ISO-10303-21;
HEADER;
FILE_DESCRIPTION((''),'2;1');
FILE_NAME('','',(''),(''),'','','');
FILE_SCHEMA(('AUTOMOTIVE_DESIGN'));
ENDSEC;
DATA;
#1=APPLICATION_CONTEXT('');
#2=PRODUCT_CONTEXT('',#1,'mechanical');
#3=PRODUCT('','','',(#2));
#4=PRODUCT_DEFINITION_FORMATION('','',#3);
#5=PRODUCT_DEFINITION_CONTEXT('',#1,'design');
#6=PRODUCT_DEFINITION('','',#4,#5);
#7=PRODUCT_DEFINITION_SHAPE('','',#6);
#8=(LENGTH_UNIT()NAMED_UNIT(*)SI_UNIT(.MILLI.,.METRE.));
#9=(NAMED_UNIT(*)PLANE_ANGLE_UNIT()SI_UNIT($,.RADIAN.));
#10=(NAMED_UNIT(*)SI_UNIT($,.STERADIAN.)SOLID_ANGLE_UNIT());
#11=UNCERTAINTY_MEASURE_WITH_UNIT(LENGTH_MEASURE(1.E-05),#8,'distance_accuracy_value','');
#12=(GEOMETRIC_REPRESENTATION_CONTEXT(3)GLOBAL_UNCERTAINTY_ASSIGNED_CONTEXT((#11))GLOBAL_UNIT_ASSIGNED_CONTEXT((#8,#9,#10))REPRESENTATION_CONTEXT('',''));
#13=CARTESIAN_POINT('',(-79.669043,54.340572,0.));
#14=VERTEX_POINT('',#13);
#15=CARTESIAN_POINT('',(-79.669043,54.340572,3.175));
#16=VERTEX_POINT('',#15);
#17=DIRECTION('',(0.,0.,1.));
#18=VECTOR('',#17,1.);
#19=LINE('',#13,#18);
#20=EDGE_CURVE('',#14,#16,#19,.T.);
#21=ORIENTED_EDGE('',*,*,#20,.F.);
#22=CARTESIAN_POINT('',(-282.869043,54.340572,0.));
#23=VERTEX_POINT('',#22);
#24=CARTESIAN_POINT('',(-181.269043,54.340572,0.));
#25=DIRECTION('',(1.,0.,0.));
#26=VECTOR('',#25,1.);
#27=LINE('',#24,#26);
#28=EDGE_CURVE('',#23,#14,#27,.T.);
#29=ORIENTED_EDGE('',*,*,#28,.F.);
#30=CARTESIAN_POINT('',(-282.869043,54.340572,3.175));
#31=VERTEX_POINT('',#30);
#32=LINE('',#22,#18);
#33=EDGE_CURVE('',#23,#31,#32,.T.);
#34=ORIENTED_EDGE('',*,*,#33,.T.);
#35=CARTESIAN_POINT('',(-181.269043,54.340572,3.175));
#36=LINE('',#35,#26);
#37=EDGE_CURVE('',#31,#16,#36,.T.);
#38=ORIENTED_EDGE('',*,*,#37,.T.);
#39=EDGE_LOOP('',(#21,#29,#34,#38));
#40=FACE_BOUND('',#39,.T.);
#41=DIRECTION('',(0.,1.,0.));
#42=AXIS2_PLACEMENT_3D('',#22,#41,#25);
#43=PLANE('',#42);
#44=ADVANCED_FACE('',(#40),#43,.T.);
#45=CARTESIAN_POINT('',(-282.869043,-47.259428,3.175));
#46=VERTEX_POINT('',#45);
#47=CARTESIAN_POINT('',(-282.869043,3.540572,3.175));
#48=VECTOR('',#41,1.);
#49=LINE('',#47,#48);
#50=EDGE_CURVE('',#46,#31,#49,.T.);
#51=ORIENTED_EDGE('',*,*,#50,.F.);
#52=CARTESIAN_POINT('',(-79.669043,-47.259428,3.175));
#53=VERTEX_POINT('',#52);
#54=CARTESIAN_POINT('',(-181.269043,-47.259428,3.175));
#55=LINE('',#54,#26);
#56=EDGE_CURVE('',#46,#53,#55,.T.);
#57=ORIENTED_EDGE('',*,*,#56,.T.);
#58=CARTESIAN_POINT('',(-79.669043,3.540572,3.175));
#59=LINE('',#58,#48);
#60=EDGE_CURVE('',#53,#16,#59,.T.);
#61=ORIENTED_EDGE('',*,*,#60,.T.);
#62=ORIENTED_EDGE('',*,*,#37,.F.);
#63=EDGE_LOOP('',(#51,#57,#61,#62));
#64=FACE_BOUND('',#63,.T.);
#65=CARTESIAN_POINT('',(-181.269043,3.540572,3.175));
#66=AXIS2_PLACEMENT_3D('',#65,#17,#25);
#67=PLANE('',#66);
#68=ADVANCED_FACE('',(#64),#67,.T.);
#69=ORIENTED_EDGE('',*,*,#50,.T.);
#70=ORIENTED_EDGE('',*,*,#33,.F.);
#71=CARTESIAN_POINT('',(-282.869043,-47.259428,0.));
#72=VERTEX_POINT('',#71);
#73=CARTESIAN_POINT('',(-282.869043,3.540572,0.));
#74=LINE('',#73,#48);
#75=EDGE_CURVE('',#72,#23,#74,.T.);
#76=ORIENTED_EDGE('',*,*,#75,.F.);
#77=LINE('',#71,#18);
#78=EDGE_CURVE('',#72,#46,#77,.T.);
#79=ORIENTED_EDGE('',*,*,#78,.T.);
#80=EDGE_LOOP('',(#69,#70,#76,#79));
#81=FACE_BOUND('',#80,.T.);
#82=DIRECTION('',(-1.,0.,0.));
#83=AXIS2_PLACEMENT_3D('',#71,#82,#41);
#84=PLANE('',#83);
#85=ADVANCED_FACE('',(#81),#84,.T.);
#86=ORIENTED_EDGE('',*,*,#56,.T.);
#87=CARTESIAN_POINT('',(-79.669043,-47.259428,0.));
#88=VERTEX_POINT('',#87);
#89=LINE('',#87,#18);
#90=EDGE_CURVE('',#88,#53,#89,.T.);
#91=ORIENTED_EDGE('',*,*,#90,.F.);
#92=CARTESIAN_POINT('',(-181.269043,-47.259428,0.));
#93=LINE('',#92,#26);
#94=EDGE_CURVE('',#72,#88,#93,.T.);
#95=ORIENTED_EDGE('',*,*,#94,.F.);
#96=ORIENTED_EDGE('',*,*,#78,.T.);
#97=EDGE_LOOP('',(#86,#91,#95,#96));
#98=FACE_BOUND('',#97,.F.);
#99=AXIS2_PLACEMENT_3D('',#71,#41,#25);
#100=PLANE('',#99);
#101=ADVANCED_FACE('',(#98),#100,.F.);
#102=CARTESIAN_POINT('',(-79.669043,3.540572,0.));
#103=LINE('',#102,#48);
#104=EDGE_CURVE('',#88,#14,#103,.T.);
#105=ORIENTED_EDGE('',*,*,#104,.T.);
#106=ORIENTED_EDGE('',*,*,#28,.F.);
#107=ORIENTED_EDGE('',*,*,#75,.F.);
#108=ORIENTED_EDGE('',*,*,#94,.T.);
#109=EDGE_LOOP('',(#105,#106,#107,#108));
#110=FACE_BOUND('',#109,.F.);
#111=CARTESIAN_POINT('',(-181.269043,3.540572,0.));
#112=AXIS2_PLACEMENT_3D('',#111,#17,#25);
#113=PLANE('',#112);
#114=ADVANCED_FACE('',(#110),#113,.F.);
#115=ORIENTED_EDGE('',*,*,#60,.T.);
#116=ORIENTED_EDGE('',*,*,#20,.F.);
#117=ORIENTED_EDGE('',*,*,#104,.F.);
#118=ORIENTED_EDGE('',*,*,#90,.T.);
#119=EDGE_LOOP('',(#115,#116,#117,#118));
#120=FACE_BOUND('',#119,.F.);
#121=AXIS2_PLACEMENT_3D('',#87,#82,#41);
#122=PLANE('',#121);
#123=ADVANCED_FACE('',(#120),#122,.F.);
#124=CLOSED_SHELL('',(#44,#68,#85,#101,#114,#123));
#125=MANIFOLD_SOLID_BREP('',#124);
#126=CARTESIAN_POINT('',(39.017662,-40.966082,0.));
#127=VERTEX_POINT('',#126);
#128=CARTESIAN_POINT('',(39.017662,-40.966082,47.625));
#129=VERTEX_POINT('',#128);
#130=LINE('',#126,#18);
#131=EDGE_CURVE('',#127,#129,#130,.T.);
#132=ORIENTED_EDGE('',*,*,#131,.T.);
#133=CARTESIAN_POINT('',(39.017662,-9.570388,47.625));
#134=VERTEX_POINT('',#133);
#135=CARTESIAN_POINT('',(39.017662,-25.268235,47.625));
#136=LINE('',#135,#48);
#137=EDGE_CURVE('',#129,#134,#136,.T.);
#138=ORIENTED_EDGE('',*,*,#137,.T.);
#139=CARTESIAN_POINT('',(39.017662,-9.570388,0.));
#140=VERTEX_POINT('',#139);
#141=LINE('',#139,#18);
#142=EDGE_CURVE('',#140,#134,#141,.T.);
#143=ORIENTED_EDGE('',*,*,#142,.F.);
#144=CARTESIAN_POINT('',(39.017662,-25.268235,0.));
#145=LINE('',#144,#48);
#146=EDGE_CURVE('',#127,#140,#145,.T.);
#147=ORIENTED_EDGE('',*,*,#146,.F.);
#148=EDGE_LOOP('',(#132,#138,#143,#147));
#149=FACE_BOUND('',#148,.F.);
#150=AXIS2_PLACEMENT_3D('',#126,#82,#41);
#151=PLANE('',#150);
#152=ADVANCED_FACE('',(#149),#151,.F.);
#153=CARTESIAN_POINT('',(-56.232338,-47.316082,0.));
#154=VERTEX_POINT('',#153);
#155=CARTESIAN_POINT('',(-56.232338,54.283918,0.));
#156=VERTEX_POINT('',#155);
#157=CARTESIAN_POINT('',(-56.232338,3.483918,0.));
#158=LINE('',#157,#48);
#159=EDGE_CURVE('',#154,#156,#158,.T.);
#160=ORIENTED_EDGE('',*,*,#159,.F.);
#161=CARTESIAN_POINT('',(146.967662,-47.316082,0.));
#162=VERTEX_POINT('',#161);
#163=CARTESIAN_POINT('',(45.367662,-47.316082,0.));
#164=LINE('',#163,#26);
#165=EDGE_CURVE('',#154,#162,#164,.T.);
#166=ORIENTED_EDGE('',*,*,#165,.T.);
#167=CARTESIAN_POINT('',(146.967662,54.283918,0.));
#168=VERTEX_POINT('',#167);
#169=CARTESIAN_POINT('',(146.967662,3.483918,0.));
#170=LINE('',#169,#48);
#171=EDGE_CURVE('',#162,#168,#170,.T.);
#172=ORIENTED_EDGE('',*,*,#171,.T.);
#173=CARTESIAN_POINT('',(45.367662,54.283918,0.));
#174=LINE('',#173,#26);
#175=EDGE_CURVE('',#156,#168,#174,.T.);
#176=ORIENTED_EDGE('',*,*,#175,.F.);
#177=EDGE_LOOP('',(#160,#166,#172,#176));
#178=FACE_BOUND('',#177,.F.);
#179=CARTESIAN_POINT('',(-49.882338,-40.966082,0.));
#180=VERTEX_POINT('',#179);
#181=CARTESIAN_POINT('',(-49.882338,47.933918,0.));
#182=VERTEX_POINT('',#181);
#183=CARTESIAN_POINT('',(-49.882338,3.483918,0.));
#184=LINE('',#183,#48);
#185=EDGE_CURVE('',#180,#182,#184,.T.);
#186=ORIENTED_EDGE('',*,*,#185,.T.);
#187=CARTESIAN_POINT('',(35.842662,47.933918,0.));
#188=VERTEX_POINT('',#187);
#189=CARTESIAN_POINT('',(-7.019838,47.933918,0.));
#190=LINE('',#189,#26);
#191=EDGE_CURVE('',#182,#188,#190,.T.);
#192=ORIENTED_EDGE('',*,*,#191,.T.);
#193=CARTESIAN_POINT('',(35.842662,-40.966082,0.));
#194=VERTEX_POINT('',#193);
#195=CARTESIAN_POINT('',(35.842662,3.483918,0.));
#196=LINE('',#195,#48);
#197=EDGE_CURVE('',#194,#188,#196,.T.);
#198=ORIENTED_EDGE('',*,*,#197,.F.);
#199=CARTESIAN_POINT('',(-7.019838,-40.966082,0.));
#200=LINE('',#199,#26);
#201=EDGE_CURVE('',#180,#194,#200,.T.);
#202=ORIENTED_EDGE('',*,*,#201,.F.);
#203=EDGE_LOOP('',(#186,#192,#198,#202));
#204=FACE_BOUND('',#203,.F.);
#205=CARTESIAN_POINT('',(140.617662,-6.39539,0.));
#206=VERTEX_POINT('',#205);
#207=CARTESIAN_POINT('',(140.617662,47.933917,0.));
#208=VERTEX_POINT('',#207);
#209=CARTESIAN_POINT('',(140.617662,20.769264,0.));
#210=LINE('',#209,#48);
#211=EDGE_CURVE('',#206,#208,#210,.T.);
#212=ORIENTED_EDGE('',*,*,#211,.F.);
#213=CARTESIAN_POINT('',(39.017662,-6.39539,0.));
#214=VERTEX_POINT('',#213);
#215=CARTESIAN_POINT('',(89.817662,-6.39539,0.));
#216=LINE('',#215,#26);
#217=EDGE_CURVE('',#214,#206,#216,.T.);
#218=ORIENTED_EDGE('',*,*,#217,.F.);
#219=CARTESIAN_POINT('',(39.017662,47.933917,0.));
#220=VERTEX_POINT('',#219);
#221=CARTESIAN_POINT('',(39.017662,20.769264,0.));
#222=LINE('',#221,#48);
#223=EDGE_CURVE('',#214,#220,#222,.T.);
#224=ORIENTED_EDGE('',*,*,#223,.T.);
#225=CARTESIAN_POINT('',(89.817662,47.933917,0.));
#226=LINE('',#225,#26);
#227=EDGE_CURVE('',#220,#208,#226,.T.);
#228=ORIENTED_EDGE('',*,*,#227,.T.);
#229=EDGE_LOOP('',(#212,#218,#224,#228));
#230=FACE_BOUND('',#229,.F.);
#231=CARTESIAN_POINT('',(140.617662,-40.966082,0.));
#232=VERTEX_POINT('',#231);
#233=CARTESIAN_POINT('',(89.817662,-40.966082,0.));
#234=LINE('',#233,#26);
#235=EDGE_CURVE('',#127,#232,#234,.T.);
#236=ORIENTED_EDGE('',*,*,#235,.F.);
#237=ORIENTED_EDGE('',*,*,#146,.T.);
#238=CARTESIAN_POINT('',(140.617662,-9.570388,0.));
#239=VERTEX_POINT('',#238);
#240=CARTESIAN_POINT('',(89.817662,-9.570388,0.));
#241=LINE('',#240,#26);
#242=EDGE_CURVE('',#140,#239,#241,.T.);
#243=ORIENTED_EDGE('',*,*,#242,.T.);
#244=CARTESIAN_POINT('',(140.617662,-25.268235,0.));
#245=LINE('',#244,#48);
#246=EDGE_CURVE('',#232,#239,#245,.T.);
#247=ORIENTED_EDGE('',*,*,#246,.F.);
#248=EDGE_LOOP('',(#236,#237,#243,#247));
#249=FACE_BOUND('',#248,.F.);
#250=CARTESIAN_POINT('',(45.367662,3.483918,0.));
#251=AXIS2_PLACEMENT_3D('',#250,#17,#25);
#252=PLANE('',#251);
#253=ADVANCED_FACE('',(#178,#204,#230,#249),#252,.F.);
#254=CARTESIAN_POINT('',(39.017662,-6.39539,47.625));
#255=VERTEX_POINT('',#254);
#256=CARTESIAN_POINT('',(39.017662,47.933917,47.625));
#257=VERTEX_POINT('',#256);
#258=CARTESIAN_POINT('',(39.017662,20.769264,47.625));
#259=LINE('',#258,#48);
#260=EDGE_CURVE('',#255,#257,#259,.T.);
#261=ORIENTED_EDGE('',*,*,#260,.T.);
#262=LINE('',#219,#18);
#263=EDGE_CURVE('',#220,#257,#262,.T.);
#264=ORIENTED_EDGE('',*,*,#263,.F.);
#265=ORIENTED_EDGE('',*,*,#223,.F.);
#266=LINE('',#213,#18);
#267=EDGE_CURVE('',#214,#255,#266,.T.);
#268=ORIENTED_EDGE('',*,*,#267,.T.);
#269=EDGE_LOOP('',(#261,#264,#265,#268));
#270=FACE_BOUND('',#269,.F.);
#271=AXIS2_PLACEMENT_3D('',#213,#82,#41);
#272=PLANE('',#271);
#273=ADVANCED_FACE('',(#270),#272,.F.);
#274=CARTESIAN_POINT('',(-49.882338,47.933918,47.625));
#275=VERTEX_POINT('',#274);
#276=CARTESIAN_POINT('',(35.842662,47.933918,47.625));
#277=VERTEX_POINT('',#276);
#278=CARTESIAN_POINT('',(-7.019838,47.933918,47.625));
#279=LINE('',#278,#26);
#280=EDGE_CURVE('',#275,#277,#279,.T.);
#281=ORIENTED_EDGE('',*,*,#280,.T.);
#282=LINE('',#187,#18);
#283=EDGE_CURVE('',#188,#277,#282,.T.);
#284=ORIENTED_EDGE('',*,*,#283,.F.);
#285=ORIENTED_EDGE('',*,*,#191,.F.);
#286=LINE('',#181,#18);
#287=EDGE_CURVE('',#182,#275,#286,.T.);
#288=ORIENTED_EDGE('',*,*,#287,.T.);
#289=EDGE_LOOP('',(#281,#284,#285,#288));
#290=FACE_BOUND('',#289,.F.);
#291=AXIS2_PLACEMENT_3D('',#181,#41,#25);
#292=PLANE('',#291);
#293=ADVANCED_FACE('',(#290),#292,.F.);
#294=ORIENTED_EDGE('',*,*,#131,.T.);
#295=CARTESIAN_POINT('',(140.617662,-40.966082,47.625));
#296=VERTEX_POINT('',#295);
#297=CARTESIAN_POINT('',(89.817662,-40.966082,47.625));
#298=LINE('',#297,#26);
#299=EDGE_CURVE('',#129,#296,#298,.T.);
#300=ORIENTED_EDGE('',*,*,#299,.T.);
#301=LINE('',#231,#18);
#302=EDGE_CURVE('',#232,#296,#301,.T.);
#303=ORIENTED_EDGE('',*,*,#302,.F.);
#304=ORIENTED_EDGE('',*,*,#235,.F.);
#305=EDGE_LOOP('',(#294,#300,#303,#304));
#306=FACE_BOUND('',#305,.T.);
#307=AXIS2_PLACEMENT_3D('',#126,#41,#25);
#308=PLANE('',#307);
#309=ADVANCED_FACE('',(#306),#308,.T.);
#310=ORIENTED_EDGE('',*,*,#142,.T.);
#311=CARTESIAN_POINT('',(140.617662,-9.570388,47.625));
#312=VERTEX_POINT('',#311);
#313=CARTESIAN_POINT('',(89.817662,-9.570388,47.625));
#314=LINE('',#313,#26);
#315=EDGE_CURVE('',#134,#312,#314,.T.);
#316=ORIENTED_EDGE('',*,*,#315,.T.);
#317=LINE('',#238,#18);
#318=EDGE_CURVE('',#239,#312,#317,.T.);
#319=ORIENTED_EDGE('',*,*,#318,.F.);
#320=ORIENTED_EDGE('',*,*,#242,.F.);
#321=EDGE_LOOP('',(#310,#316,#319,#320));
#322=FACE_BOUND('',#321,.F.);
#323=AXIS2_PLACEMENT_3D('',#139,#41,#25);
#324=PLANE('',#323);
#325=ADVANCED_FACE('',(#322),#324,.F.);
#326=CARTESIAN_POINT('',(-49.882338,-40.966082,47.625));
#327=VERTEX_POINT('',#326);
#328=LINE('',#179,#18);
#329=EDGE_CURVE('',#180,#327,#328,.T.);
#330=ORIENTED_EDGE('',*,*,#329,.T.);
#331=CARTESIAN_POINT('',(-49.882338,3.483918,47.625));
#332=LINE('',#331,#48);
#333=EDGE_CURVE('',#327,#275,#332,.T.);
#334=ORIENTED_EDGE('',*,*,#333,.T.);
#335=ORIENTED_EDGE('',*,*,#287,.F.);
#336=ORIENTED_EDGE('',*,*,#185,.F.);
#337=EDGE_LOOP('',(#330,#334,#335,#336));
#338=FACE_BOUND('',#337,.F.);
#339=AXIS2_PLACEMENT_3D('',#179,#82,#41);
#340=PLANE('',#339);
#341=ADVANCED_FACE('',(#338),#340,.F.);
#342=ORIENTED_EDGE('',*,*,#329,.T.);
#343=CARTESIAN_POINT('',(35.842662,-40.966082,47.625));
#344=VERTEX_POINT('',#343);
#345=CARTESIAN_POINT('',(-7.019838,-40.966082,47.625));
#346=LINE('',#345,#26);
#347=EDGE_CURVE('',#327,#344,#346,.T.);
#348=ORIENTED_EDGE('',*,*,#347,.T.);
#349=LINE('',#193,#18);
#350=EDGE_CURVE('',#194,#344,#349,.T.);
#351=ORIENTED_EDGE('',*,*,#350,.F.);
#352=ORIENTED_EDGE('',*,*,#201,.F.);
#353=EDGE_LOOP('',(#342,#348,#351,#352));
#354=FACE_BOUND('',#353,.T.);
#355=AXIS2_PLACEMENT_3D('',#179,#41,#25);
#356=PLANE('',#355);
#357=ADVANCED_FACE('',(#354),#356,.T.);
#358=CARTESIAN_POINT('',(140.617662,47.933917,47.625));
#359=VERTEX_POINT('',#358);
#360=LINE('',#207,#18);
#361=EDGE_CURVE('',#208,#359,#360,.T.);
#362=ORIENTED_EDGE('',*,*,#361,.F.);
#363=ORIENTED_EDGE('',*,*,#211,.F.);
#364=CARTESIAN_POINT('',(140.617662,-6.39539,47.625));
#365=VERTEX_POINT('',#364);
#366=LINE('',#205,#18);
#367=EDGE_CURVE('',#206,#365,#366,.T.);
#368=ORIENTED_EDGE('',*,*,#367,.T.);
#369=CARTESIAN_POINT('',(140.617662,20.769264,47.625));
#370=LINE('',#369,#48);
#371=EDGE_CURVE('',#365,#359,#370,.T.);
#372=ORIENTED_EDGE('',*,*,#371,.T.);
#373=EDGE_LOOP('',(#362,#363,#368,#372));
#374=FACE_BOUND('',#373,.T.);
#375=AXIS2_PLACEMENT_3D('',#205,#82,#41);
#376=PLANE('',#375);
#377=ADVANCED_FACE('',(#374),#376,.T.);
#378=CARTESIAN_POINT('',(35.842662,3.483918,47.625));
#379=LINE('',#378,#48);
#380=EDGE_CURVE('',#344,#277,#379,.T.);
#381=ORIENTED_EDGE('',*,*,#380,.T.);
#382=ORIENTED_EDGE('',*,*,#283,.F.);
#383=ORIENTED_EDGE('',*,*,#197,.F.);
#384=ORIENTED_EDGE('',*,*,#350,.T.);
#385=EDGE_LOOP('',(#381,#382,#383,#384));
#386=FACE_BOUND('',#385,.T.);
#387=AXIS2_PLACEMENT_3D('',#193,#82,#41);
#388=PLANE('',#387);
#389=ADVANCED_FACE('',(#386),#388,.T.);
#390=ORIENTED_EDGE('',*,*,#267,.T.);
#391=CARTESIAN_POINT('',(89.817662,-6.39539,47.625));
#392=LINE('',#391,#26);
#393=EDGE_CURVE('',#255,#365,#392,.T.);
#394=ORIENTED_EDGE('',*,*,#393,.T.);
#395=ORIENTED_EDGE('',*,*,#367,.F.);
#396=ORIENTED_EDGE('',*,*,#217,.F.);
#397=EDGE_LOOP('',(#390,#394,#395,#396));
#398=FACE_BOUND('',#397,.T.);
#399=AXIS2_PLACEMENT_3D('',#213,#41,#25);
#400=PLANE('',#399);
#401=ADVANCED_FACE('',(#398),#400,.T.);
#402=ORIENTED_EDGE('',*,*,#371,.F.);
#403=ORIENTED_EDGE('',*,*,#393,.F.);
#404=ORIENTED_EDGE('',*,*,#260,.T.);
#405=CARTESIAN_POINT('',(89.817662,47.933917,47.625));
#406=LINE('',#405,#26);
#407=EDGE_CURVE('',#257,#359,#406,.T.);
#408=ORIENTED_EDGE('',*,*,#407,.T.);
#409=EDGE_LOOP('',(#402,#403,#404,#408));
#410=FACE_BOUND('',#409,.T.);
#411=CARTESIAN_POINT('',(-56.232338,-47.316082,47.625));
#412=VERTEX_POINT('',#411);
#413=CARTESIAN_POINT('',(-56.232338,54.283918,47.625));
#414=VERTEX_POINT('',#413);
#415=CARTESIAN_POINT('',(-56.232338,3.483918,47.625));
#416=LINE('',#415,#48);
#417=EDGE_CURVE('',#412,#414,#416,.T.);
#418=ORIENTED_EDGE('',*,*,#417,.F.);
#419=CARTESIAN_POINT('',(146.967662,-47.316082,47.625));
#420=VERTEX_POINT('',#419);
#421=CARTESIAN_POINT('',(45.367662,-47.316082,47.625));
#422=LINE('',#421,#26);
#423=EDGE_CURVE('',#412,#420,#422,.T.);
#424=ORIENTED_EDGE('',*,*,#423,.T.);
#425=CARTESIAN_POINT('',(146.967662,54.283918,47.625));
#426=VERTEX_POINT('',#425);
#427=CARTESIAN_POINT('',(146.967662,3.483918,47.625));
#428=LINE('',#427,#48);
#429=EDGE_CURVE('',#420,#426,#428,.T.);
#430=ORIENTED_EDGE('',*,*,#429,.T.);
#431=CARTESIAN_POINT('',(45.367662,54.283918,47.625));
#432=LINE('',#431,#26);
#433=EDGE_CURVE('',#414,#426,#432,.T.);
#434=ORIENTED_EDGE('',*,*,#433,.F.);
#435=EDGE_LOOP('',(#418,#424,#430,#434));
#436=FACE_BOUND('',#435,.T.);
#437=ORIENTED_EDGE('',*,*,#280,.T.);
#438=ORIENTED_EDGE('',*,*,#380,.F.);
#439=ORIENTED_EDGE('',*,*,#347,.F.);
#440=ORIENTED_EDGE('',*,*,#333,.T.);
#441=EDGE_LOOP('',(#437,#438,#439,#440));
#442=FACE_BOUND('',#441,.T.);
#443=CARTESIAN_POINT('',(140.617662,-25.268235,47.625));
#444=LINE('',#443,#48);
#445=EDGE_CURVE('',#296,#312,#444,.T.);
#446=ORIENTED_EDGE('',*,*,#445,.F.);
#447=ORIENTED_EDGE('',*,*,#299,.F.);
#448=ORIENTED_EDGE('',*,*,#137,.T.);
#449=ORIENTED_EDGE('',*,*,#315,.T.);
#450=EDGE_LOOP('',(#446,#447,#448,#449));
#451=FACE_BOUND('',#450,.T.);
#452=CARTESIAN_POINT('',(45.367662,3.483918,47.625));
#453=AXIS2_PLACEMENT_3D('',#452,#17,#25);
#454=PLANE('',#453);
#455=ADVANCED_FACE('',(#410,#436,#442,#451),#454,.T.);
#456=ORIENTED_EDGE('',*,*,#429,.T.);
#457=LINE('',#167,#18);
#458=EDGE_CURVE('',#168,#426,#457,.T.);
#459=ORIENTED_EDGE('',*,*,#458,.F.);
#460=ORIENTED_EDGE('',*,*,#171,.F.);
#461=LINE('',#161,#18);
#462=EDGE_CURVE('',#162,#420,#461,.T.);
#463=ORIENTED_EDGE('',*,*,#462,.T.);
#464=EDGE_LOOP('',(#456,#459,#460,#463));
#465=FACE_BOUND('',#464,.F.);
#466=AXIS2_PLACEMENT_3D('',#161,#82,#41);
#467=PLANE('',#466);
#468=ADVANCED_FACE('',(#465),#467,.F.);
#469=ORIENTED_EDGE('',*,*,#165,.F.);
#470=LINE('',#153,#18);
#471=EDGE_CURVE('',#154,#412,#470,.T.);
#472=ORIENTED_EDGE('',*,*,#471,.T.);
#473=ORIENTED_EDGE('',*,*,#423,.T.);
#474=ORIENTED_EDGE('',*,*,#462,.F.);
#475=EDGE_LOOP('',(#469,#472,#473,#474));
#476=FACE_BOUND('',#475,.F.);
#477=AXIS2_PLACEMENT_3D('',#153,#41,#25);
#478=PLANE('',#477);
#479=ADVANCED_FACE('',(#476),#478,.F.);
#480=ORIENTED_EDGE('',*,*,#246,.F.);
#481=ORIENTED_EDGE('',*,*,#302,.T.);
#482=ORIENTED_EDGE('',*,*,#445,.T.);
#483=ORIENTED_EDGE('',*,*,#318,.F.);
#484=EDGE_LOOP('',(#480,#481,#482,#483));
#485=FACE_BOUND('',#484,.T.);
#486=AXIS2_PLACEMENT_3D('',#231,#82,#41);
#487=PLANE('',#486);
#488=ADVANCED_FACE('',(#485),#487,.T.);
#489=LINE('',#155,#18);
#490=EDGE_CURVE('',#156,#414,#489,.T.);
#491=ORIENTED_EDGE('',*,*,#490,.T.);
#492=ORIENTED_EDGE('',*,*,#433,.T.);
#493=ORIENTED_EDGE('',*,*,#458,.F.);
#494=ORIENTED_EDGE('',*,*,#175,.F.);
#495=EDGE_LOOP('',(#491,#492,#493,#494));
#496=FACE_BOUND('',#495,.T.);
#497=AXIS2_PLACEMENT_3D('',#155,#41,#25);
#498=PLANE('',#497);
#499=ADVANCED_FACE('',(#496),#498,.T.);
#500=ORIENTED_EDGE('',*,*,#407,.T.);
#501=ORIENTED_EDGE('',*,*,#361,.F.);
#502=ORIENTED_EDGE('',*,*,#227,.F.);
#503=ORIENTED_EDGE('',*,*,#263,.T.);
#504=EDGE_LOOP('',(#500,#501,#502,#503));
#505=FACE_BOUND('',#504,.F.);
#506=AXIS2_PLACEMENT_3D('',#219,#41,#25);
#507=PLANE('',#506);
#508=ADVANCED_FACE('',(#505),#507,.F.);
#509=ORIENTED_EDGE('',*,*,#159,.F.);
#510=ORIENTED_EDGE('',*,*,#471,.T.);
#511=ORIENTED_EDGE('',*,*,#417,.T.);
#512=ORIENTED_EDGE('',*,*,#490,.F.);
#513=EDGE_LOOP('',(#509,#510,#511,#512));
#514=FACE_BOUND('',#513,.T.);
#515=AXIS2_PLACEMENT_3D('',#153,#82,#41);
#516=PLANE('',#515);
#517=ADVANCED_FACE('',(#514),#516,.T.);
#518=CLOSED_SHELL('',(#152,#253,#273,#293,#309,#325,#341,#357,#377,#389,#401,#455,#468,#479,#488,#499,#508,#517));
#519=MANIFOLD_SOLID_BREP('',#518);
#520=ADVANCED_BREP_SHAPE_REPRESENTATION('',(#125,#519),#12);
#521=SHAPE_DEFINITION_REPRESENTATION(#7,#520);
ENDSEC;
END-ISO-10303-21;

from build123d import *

# Parameters (mm, degrees)
F0_W     = 203.2
F0_H     = 101.6
F1_DEPTH = 3.175
F0_W_2   = 101.6
F0_H_2   = 31.395693
F0_W_3   = 85.725
F0_H_3   = 88.9
F0_H_4   = 54.329307
F2_DEPTH = 47.625


with BuildPart() as f1:
    # F0 (on Top) → F1 (new body)
    with BuildSketch(Plane.XY):
        with Locations((-181.269043, 3.540572)):
            Rectangle(F0_W, F0_H)
    extrude(amount=F1_DEPTH)


with BuildPart() as f2:
    # F0 (on Top) → F2 (new body)
    with BuildSketch(Plane.XY):
        with Locations((45.367662, 3.483918)):
            Rectangle(F0_W, F0_H)
        with Locations((89.817662, -25.268235)):
            Rectangle(F0_W_2, F0_H_2, mode=Mode.SUBTRACT)
        with Locations((-7.019838, 3.483918)):
            Rectangle(F0_W_3, F0_H_3, mode=Mode.SUBTRACT)
        with Locations((89.817662, 20.769264)):
            Rectangle(F0_W_2, F0_H_4, mode=Mode.SUBTRACT)
    extrude(amount=F2_DEPTH)


solid = Compound([f1.part, f2.part])
